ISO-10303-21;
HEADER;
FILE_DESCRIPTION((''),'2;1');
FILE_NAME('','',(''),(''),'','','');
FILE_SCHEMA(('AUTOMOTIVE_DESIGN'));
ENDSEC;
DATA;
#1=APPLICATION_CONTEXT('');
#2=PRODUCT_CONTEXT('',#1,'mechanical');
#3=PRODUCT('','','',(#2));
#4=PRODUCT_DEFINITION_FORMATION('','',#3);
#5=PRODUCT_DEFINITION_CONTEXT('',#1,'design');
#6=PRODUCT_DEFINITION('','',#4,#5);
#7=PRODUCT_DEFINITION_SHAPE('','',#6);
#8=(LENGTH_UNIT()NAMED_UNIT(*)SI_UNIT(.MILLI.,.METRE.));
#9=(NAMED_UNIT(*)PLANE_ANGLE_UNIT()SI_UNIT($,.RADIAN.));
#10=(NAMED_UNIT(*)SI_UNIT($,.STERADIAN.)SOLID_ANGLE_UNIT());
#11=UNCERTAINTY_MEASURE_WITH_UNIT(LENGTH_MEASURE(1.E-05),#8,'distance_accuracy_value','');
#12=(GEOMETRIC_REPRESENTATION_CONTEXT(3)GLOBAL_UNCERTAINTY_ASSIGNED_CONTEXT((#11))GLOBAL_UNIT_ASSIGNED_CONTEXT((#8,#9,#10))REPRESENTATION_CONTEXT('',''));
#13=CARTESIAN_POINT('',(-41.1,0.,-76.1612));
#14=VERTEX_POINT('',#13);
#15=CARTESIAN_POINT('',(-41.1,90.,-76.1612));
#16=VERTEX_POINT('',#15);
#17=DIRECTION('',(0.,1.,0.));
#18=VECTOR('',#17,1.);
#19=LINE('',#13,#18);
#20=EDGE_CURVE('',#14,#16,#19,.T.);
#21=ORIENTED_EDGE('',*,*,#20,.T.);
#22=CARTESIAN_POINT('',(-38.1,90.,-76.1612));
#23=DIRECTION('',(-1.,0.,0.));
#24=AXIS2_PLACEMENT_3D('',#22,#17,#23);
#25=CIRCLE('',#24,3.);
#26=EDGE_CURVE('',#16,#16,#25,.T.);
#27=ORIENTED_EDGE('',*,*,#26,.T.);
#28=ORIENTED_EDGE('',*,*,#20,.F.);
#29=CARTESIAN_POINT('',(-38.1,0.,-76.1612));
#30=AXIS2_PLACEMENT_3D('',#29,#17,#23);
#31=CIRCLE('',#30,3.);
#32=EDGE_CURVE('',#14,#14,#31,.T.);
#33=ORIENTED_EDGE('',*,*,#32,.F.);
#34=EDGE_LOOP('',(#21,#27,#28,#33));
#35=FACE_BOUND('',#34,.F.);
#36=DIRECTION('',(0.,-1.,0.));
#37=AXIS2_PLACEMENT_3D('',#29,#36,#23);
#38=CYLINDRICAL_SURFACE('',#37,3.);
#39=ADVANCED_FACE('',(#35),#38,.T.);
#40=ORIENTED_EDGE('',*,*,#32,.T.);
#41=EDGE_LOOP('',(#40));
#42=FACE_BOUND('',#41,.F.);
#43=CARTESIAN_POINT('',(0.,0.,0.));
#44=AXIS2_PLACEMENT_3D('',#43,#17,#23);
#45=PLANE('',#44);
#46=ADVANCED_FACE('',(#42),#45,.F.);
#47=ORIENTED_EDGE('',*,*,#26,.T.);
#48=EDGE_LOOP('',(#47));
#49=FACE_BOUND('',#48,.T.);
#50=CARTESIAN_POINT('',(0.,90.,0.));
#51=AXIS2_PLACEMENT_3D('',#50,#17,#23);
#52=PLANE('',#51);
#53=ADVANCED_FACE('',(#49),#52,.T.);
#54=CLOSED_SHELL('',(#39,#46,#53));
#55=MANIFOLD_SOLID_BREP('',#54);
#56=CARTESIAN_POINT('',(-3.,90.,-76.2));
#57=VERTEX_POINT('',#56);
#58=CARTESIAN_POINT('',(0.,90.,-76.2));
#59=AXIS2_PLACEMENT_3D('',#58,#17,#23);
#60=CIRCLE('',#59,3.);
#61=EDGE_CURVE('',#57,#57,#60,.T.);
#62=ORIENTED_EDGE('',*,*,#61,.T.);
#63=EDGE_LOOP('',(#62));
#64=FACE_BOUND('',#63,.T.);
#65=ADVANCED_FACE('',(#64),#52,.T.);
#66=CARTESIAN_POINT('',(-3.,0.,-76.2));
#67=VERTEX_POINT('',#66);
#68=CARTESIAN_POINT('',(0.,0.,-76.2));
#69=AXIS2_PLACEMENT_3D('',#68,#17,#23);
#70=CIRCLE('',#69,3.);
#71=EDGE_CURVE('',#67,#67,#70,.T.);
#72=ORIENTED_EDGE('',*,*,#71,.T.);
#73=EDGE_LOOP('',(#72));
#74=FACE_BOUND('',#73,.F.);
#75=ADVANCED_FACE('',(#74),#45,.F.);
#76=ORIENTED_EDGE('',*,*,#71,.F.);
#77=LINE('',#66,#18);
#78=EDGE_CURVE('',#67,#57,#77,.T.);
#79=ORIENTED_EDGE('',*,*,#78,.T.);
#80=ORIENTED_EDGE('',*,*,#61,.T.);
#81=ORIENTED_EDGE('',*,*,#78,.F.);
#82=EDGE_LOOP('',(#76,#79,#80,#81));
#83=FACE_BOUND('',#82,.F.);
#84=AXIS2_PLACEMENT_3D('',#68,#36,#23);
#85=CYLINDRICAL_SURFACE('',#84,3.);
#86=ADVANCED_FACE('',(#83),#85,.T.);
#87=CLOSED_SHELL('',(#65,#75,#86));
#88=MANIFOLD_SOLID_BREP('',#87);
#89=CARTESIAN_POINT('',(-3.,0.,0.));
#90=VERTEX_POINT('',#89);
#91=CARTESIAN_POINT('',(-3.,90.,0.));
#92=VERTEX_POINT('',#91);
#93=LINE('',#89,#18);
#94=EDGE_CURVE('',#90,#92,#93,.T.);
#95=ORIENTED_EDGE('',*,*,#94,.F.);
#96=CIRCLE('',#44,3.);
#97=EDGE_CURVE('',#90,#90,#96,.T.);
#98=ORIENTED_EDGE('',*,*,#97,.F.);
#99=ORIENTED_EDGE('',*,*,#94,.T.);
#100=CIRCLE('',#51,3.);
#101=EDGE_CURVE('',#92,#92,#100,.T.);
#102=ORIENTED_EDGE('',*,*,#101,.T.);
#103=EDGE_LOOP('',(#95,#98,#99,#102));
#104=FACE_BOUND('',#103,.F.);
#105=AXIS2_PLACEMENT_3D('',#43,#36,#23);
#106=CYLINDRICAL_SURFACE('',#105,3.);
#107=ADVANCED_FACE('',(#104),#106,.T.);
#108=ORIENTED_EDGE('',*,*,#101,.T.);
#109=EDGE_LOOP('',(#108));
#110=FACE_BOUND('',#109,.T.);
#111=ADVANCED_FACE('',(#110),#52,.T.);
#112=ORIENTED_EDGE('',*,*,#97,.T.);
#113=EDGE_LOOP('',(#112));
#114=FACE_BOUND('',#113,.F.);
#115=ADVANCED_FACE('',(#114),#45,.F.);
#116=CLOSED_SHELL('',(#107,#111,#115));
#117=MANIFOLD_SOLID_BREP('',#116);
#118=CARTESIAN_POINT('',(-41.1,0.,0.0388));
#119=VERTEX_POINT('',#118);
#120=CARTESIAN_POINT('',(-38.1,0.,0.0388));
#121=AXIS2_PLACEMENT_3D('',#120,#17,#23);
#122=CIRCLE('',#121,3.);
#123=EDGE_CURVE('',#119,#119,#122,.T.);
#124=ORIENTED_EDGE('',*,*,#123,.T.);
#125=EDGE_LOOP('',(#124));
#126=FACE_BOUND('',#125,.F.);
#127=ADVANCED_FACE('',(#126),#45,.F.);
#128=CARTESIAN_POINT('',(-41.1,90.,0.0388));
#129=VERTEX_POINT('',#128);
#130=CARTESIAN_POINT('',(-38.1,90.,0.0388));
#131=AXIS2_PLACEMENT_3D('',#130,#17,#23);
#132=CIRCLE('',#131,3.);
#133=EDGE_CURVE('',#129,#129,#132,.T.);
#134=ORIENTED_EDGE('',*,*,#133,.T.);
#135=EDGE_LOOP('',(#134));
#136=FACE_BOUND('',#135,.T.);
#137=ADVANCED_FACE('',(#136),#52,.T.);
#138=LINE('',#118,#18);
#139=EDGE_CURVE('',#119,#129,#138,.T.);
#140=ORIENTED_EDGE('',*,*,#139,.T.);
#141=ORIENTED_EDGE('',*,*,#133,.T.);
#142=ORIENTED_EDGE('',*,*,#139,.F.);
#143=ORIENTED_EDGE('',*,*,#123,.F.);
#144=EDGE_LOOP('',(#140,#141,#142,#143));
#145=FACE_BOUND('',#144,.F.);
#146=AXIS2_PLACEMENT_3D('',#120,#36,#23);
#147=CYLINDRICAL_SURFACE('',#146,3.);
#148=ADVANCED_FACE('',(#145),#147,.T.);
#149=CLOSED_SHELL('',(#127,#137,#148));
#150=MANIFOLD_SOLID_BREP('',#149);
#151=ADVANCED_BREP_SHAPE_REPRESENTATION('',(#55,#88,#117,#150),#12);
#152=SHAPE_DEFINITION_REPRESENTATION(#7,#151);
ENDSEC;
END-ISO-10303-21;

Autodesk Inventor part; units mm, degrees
ref_plane "YZ Plane" through (0, 0, 0) normal (1, 0, 0) x (0, 1, 0)
ref_plane "XZ Plane" through (0, 0, 0) normal (0, 1, 0) x (-1, 0, 0)
ref_plane "XY Plane" through (0, 0, 0) normal (0, 0, 1) x (1, 0, 0)
sketch "Sketch1" plane through (0, 0, 0) normal (0, 1, 0) x (-1, 0, 0)
  circle A0 centre (0, 0) radius 3
  circle A1 centre (38.1, 0.0388) radius 3
  circle A2 centre (0, -76.2) radius 3
  circle A3 centre (38.1, -76.1612) radius 3
  line L0 (0, 0) -> (39.4176, 0) construction
  dimension "d0" = 6
  dimension "d3" = 6
  dimension "d4" = 6
  dimension "d5" = 6
  dimension "d6" = 38.1
  dimension "d7" = 76.2
  dimension "d8" = 38.1
  dimension "d9" = 76.2
extrude "Extrusion2" add sketch "Sketch1" along normal blind 90
equation "\"d3\" = d0"
equation "\"d4\" = d3"
equation "\"d5\" = d4"
equation "\"d7\" = 2 * d6"
equation "\"d8\" = d6"
equation "\"d9\" = d7"
properties part number "table"
